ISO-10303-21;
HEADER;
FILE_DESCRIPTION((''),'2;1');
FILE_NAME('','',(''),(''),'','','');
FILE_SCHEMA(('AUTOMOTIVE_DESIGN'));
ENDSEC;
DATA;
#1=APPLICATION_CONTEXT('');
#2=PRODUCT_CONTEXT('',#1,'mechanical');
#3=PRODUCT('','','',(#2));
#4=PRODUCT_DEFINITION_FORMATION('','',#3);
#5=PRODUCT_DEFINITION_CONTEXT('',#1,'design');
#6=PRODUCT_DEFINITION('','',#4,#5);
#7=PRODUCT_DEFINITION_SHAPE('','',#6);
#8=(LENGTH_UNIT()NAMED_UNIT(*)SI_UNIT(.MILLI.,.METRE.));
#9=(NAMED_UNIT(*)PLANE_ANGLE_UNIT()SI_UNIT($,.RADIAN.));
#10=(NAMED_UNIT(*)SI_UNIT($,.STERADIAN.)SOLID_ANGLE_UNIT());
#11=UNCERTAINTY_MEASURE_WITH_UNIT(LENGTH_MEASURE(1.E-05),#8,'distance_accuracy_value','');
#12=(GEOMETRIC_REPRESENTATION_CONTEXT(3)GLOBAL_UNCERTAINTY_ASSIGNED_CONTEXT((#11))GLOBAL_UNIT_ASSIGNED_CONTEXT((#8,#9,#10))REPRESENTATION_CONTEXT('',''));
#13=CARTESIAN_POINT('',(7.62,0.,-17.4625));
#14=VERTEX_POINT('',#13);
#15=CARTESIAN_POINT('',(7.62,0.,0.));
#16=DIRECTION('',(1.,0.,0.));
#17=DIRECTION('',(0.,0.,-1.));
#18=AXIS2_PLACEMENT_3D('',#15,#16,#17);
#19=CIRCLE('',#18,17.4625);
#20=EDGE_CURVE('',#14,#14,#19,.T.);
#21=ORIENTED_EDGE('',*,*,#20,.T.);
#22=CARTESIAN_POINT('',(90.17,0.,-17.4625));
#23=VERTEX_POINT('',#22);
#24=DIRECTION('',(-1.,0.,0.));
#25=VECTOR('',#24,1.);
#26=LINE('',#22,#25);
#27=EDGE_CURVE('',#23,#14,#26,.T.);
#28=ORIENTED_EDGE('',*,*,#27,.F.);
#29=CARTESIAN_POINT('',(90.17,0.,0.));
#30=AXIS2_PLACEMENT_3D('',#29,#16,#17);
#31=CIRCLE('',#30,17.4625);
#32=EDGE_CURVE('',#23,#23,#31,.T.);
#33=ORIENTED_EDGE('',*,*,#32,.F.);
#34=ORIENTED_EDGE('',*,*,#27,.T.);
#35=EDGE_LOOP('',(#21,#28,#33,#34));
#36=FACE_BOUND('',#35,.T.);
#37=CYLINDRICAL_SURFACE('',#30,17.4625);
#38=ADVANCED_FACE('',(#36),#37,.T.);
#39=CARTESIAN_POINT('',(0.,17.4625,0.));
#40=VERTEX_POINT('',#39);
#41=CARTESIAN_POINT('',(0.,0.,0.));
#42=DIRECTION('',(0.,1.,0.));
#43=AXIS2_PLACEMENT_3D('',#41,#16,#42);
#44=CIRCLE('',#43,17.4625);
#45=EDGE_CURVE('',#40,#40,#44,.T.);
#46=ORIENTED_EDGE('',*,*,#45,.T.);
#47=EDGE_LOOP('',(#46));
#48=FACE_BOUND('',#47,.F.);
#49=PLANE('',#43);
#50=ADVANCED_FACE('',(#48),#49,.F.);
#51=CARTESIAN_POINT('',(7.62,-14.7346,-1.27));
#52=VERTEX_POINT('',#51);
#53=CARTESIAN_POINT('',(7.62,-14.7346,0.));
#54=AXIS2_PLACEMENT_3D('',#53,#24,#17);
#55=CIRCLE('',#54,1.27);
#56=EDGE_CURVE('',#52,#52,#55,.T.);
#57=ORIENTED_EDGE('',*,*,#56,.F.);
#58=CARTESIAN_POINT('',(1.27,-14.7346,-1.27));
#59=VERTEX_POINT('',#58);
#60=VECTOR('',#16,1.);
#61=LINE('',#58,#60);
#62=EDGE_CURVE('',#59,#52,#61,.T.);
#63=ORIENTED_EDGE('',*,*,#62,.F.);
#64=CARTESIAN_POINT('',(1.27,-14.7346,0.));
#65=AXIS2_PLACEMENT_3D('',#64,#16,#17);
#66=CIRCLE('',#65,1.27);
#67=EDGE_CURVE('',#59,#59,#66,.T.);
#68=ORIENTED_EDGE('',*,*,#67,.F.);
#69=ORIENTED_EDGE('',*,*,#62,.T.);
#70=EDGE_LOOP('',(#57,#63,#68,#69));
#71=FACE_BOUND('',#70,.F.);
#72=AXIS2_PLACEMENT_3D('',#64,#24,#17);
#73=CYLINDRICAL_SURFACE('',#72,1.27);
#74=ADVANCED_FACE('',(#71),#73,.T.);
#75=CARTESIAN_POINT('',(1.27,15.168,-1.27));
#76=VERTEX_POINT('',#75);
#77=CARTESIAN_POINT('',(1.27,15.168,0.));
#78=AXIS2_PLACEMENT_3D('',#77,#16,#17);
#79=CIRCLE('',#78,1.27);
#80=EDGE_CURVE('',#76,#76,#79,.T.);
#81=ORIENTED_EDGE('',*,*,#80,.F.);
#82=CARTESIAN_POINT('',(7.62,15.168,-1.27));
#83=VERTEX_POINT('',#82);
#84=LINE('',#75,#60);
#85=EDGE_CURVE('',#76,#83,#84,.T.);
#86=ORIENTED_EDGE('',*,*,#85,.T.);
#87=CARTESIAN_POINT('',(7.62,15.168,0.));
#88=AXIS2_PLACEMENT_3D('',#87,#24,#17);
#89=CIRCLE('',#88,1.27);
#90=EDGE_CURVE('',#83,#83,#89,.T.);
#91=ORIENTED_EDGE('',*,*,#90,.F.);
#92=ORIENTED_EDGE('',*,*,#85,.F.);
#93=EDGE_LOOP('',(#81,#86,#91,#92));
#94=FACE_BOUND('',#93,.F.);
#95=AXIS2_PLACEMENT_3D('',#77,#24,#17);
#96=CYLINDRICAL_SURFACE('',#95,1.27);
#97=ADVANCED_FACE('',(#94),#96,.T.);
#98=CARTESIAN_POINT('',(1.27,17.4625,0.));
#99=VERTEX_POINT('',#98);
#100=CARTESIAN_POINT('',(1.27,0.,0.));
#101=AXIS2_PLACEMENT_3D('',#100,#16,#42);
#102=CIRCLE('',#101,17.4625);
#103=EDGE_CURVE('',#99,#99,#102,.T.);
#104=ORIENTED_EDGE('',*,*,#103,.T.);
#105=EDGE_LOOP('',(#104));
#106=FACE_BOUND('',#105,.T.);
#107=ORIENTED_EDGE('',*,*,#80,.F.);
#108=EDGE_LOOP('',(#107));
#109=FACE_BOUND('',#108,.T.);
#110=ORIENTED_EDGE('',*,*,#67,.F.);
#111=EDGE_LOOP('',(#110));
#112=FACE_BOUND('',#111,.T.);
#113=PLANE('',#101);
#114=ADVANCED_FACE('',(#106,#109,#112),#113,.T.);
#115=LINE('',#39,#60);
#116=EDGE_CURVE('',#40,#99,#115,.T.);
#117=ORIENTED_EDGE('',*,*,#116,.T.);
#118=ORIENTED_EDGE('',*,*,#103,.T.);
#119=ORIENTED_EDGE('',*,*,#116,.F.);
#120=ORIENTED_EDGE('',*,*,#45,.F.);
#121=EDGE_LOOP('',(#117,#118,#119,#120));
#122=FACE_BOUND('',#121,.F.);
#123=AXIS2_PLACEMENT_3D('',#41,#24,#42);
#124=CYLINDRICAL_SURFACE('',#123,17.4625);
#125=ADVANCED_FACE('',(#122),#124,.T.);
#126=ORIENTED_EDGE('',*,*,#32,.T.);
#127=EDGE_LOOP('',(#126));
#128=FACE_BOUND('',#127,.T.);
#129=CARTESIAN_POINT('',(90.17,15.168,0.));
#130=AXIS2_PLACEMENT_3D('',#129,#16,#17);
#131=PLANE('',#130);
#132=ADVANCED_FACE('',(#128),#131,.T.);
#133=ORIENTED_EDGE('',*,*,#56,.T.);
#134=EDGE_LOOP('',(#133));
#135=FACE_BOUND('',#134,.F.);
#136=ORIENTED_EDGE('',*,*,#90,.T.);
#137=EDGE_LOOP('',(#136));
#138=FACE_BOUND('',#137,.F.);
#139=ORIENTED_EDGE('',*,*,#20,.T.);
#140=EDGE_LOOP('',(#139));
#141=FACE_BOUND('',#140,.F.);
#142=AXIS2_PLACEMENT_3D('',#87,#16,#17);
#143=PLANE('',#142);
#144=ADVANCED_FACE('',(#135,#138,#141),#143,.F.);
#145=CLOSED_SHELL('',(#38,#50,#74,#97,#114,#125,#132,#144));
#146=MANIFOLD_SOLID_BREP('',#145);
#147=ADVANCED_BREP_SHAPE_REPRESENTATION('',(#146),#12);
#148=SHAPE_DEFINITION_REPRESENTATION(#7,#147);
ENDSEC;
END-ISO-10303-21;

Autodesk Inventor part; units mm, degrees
ref_plane "YZ Plane" through (0, 0, 0) normal (1, 0, 0) x (0, 1, 0)
ref_plane "XZ Plane" through (0, 0, 0) normal (0, 1, 0) x (-1, 0, 0)
ref_plane "XY Plane" through (0, 0, 0) normal (0, 0, 1) x (1, 0, 0)
sketch "Sketch1" plane through (0, 0, 0) normal (1, 0, 0) x (0, 1, 0)
  circle A0 centre (0, 0) radius 17.4625
extrude "Extrusion1" add sketch "Sketch1" along normal blind 1.27
sketch "Sketch2" plane through (1.27, 0, 0) normal (1, 0, 0) x (0, 0, -1)
  circle A0 centre (0, 15.168) radius 1.27
  circle A1 centre (0, -14.7346) radius 1.27
  point P0 (0, 0)
extrude "Extrusion2" add sketch "Sketch2" along normal blind 88.9
sketch "Sketch3" plane through (90.17, 15.168, 0) normal (1, 0, 0) x (0, 0, -1)
  circle A0 centre (0, -15.168) radius 17.4625
extrude "Extrusion3" add sketch "Sketch3" against normal blind 82.55
sketch "Sketch4" plane through (1.27, 0, 0) normal (1, 0, 0) x (0, 0, -1)
  point P0 (0, 0)
sketch "Sketch5" plane through (1.27, 0, 0) normal (1, 0, 0) x (0, 0, -1)
  point P0 (0, 0)
extrude "Extrusion4" [suppressed]
properties part number "STACK NEW." material "Glass"
